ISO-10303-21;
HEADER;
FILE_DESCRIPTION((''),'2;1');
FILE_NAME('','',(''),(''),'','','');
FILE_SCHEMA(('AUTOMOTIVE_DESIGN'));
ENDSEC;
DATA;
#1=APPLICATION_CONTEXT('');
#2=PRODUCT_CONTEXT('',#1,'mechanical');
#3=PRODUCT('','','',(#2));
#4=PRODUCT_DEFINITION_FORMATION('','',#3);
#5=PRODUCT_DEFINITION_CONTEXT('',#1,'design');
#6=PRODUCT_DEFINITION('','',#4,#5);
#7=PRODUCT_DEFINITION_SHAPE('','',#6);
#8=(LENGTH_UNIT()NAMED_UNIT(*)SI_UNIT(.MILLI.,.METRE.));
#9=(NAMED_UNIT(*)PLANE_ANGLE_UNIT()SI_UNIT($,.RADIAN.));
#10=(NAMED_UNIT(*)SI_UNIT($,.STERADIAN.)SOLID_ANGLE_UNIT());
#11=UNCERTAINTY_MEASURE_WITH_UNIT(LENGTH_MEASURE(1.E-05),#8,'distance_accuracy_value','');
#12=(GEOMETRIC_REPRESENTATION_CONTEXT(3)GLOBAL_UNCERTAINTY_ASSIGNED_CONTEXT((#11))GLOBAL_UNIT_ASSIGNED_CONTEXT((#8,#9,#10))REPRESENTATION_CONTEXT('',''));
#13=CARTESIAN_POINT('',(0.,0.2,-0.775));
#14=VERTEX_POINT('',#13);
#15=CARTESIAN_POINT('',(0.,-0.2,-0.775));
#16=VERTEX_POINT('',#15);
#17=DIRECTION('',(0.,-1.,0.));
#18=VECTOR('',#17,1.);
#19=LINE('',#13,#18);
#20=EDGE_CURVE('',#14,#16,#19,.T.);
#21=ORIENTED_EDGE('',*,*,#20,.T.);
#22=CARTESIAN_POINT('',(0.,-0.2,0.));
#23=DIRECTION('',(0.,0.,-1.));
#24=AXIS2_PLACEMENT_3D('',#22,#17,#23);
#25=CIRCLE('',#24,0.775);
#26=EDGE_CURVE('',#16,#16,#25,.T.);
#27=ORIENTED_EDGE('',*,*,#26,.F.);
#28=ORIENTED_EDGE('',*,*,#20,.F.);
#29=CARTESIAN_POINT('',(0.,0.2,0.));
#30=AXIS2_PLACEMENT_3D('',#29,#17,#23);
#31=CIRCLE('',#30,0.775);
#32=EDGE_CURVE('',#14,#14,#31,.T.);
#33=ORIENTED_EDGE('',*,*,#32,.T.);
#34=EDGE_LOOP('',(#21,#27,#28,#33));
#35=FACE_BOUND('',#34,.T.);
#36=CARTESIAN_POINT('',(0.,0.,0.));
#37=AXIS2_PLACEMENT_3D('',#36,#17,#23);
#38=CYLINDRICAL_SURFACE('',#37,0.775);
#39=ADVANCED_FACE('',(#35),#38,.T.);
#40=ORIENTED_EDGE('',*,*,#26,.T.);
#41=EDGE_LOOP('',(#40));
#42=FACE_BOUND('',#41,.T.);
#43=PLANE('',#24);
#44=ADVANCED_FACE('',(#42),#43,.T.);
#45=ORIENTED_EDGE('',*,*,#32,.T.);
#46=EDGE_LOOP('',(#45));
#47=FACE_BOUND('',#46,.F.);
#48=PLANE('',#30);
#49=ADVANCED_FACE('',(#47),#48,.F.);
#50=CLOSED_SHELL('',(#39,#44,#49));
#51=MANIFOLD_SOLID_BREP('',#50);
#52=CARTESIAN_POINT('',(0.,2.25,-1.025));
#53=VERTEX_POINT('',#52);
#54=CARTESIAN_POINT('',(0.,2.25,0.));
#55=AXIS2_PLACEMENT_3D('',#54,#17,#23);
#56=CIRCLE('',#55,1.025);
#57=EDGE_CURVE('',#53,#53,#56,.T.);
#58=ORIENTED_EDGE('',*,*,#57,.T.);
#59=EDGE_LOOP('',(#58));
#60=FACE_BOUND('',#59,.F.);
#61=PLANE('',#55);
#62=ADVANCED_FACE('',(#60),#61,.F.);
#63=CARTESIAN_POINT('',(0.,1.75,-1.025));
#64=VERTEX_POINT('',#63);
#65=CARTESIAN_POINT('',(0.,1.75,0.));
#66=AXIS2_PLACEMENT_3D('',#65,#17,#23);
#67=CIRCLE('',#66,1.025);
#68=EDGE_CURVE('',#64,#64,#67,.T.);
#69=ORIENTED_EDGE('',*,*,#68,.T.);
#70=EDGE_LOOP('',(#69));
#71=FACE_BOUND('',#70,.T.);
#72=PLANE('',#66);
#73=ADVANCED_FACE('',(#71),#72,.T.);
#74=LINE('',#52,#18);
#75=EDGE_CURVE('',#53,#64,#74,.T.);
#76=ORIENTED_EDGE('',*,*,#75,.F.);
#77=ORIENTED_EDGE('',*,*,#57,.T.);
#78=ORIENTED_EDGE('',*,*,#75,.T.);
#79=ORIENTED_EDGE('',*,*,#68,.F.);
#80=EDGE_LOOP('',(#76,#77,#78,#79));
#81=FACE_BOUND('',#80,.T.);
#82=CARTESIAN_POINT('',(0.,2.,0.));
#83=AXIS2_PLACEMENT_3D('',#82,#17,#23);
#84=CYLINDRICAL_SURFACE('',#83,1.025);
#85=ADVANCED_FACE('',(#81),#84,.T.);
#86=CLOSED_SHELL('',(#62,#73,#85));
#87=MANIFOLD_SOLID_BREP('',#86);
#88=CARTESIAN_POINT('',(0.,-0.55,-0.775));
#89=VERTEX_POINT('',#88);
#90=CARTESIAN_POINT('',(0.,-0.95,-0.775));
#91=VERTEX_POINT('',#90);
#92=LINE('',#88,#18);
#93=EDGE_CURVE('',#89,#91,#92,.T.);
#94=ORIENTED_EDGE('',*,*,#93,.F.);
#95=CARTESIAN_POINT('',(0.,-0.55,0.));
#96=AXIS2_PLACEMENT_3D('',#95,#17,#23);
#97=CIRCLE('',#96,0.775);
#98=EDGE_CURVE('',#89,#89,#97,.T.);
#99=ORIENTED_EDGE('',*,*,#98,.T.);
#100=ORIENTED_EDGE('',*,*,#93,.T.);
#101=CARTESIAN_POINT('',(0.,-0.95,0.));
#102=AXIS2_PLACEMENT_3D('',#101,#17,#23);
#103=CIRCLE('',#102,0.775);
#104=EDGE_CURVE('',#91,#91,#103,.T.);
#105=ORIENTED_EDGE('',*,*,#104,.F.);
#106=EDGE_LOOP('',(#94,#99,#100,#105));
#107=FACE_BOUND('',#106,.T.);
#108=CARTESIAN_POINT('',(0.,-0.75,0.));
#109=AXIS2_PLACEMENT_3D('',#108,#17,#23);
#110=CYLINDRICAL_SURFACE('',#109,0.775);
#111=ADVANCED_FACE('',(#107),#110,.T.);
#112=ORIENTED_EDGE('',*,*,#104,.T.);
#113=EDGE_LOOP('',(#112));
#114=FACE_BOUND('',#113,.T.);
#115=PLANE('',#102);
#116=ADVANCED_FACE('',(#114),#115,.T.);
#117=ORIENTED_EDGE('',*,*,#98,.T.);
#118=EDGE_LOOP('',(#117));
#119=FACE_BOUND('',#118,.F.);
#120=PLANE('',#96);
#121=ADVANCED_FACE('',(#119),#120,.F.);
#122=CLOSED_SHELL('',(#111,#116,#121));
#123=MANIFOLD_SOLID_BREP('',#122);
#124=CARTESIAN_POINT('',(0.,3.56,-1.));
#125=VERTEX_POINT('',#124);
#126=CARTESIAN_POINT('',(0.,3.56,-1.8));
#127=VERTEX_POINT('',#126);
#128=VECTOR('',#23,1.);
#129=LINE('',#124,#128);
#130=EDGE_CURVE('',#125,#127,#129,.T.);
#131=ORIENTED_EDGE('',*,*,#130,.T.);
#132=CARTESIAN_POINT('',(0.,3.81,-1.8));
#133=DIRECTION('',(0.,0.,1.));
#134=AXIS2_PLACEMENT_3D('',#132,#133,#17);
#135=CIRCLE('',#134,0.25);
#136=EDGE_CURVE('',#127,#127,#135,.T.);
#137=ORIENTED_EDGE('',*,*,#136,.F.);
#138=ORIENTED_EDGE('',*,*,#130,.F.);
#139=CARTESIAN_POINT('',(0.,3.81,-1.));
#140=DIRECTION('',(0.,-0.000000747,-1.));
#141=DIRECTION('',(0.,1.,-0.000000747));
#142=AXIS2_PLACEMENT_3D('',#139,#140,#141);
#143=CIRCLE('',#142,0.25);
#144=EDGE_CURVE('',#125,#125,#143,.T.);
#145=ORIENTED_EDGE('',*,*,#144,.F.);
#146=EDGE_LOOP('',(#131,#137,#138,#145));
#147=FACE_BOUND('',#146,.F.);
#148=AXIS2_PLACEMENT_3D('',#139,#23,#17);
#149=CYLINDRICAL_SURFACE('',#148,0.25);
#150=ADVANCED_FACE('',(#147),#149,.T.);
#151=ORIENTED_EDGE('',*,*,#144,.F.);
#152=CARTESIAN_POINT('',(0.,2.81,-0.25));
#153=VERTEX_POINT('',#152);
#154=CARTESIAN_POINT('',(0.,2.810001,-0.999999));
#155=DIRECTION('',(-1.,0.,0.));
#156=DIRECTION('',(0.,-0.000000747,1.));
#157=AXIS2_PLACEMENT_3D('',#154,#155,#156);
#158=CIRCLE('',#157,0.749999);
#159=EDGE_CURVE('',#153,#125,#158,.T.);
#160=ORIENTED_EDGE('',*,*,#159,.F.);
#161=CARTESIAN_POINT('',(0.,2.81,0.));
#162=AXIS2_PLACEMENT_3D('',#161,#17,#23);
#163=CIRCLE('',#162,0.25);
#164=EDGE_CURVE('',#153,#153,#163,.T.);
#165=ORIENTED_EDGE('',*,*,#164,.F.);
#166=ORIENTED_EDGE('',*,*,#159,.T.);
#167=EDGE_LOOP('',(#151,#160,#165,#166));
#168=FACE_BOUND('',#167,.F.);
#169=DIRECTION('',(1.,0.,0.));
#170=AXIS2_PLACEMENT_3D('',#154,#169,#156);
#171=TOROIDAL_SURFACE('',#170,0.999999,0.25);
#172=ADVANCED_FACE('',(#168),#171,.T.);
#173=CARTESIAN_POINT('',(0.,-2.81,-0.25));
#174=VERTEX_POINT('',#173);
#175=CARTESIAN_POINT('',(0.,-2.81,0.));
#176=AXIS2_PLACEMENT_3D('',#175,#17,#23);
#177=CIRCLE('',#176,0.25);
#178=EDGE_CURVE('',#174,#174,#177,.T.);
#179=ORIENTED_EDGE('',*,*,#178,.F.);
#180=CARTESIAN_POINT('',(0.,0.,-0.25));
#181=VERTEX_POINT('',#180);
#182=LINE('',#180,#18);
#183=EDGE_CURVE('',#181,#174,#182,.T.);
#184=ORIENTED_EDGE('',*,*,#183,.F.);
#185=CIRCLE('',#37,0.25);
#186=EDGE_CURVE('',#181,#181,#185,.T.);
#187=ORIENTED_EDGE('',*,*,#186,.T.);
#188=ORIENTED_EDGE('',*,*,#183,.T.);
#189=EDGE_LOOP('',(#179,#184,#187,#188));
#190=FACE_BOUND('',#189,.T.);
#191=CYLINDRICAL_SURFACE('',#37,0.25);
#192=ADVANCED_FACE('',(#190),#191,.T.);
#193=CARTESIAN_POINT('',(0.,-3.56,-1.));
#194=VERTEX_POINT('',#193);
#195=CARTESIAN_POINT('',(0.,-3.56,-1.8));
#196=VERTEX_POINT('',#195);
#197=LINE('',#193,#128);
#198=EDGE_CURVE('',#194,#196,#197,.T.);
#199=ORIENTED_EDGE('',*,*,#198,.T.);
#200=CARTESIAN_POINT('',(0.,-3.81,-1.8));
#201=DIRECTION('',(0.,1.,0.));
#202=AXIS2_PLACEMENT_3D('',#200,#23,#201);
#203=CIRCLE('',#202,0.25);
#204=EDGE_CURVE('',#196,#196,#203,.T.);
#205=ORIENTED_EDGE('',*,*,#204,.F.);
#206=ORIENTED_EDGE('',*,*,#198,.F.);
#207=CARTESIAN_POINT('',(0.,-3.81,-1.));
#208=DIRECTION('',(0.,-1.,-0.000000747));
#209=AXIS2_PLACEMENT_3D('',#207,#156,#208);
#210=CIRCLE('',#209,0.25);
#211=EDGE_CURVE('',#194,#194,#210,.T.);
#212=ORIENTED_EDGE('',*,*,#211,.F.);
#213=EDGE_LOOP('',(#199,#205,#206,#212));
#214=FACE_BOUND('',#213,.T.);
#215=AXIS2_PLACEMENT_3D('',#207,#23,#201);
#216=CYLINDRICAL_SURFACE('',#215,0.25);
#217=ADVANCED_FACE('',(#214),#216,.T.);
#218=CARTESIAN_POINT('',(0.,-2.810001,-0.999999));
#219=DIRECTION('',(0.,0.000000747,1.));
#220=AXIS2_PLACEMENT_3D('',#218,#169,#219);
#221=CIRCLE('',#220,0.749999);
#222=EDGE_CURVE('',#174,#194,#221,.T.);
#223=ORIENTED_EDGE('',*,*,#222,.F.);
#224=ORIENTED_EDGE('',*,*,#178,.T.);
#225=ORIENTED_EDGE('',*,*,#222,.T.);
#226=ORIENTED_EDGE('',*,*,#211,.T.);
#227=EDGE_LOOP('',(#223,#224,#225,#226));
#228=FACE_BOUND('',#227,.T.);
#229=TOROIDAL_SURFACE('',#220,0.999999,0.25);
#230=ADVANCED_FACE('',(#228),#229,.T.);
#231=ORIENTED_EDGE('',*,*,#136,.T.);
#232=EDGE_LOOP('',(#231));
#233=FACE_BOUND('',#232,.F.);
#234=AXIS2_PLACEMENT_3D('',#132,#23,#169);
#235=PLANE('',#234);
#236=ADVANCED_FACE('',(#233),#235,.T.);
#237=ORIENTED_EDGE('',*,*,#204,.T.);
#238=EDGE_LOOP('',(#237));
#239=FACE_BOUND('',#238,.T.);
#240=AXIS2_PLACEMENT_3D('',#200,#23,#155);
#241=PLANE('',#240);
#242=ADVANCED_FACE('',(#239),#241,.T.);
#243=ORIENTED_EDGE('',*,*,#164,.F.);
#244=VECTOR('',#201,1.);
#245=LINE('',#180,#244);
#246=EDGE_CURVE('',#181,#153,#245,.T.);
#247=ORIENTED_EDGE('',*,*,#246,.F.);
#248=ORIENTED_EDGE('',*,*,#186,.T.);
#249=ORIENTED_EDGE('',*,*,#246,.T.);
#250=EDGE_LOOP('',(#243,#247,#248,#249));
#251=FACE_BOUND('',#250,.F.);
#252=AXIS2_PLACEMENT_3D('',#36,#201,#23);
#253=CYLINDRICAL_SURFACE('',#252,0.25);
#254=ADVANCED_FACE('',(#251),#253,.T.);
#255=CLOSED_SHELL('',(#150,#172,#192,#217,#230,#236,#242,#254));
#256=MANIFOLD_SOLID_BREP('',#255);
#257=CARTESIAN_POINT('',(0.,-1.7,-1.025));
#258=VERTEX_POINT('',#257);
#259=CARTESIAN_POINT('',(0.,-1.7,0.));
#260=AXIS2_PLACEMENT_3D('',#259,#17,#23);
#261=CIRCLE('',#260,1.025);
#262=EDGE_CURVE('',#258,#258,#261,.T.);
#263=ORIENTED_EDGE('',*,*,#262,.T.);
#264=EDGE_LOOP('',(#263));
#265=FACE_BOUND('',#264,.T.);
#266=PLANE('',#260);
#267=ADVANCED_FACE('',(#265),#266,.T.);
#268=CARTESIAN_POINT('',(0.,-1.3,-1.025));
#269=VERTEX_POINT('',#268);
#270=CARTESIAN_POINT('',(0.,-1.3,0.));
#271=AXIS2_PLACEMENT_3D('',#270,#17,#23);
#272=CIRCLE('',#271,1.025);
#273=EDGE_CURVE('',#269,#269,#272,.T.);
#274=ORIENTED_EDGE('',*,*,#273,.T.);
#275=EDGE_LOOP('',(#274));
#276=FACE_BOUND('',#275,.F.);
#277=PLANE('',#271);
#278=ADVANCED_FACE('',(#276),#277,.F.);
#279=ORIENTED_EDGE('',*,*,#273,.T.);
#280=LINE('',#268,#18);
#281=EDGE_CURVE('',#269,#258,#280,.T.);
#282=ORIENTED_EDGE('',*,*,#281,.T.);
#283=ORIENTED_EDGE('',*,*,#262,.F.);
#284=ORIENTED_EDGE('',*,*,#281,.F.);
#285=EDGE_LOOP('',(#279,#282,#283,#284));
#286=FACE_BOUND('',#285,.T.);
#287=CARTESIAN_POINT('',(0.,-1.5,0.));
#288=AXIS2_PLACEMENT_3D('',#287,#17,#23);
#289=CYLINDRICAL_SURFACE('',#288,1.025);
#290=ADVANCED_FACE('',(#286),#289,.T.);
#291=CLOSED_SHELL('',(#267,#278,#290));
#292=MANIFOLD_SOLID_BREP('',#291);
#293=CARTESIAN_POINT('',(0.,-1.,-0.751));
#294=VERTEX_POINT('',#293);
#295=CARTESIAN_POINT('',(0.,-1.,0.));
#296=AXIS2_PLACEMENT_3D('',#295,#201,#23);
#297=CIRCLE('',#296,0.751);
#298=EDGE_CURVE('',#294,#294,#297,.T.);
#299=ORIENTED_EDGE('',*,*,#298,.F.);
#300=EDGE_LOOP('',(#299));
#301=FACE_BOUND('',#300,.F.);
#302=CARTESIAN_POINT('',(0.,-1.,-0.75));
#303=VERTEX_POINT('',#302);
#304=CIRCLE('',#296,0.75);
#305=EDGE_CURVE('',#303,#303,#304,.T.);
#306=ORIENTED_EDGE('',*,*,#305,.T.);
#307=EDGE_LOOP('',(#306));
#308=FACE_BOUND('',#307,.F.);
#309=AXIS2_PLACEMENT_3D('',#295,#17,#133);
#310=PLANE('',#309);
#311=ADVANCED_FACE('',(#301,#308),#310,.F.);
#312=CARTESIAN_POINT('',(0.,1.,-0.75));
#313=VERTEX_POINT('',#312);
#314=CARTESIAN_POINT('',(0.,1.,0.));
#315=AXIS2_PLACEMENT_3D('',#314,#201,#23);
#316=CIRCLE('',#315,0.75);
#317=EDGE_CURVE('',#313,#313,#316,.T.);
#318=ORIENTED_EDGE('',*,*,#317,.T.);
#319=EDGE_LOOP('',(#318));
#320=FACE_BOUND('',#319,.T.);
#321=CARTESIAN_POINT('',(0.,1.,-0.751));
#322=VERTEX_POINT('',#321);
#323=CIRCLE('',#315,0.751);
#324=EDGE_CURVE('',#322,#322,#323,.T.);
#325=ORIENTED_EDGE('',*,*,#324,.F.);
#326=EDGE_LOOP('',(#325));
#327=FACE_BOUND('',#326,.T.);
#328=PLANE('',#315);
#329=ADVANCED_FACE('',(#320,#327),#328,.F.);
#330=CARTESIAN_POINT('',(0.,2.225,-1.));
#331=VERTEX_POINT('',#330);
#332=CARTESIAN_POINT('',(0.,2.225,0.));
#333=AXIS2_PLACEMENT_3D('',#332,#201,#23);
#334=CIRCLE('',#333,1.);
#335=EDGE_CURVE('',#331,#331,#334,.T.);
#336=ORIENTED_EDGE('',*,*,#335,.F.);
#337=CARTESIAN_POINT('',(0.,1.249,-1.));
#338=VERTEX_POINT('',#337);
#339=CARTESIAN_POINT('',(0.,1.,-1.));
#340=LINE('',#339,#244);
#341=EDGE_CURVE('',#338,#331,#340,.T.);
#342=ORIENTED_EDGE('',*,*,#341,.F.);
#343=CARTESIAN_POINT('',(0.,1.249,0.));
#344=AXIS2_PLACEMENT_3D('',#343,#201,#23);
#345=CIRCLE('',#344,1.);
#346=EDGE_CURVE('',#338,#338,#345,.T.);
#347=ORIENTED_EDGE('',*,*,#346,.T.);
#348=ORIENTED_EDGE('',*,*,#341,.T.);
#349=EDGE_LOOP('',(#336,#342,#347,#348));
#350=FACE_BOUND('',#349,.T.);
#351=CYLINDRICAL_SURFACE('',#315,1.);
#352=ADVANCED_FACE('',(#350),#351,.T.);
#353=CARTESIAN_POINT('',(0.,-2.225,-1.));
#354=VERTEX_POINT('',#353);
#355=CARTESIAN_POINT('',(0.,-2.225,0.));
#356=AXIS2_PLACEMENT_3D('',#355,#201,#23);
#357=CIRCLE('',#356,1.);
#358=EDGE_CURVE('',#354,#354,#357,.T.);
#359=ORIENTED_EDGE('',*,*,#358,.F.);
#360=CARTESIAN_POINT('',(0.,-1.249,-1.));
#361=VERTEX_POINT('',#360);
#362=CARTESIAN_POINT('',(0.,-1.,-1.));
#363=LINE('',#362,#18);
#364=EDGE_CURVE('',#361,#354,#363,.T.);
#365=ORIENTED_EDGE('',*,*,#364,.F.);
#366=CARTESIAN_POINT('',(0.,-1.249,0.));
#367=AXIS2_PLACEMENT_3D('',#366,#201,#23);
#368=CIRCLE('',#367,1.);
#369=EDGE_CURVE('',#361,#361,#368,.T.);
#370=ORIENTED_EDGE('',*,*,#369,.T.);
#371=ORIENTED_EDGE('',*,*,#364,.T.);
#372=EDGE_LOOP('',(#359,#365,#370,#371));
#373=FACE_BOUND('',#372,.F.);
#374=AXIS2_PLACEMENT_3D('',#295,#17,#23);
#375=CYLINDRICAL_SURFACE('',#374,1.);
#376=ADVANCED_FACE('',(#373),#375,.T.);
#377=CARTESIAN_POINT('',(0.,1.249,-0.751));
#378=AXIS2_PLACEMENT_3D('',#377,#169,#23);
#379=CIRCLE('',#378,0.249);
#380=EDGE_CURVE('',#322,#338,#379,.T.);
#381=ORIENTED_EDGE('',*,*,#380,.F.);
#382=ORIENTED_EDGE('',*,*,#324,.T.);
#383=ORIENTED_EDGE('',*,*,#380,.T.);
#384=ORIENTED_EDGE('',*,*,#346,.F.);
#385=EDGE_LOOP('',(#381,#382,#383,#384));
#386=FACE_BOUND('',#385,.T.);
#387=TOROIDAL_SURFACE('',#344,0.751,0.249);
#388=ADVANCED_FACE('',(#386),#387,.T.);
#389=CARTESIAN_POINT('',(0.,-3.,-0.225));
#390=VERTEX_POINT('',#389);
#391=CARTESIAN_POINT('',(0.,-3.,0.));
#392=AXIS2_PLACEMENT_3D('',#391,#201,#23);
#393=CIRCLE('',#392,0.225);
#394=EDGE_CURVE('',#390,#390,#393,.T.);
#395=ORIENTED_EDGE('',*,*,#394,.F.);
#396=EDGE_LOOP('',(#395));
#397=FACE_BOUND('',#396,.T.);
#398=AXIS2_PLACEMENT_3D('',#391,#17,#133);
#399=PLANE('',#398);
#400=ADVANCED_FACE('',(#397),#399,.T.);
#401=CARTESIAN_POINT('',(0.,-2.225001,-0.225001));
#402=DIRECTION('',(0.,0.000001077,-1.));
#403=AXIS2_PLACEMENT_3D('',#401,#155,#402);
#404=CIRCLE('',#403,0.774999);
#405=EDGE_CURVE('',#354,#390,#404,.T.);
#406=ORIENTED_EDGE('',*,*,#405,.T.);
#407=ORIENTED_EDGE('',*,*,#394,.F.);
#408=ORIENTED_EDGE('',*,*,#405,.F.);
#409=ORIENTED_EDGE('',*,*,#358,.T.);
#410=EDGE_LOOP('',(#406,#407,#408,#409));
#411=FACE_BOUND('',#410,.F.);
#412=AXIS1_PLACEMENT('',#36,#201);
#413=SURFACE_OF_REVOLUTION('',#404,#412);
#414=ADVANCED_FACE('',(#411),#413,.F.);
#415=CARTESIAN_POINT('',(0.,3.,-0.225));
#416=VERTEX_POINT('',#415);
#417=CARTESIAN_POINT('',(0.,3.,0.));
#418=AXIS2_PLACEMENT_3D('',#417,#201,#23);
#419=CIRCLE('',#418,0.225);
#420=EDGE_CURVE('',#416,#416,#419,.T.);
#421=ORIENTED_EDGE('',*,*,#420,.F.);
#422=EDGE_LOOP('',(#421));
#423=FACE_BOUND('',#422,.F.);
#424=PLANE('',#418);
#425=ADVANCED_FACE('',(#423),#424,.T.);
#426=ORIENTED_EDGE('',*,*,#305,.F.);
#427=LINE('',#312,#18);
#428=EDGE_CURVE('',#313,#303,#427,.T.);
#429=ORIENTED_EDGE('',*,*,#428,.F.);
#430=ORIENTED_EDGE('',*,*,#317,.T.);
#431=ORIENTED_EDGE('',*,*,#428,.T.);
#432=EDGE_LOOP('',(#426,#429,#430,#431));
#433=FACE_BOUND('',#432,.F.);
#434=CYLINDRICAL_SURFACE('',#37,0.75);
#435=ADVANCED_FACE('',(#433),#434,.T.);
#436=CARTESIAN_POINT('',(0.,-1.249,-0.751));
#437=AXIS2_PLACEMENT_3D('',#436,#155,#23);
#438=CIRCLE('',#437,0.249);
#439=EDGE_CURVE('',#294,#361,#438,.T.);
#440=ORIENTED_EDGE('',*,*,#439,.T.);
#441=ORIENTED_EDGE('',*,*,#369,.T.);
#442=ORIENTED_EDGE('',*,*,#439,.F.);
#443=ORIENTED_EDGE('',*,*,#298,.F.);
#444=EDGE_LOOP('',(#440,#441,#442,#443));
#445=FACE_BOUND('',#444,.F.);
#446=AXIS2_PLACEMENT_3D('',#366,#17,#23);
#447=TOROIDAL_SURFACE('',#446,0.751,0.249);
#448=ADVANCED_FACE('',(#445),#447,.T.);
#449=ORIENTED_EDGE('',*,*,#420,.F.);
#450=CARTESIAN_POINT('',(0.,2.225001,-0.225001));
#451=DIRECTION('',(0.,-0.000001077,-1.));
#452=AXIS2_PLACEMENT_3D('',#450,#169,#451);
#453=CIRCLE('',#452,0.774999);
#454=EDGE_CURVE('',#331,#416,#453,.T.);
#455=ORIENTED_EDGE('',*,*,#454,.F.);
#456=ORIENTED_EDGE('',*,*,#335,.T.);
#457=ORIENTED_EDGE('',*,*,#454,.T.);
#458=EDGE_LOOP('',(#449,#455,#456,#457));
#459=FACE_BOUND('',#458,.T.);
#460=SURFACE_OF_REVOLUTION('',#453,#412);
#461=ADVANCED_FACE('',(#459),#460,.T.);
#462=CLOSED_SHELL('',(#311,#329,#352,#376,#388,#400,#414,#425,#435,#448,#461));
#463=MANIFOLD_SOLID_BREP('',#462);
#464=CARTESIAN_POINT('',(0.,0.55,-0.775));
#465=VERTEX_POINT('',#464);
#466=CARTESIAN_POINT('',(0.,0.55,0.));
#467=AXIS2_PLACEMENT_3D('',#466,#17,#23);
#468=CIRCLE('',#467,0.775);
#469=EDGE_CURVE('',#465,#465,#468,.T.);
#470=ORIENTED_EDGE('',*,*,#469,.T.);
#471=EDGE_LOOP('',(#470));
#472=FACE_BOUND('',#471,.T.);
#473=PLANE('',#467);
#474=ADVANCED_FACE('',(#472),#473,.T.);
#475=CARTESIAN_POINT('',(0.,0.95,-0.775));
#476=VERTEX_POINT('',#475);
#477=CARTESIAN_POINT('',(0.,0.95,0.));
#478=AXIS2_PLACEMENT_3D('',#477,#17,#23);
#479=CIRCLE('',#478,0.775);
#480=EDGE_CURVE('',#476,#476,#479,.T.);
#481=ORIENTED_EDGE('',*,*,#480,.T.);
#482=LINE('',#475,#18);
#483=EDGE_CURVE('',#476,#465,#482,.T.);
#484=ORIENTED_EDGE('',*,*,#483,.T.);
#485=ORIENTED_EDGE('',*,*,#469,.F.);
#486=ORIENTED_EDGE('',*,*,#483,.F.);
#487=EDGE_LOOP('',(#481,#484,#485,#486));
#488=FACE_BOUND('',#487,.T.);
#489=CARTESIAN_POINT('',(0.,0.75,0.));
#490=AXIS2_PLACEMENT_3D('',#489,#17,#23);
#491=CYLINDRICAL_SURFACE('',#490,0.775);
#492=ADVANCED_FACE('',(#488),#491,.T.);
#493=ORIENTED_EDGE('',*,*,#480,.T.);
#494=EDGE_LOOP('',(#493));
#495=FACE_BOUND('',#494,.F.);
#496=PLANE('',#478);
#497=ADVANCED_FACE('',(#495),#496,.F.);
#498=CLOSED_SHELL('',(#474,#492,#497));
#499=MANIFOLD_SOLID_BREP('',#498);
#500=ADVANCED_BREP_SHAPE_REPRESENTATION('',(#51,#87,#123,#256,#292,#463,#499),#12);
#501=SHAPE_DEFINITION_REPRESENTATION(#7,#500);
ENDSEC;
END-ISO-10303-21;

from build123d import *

# Parameters (mm, degrees)
SKETCH003_R  = 1.025
PAD_DEPTH    = 0.2
SKETCH004_R  = 0.775
PAD001_DEPTH = 0.2
SKETCH005_R  = 0.775
PAD002_DEPTH = 0.2
SKETCH006_R  = 0.775
PAD003_DEPTH = 0.2
SKETCH007_R  = 1.025
PAD004_DEPTH = 0.25
FILLET_R     = 0.249
SKETCH046_R  = 0.25


with BuildPart() as body002:
    # Sketch003 → Pad (new body, symmetric)
    with BuildSketch(Plane(origin=(0, -1.5, 0), x_dir=(0, 0, -1), z_dir=(0, -1, 0))):
        Circle(SKETCH003_R)
    extrude(amount=PAD_DEPTH, both=True)


with BuildPart() as body003:
    # Sketch004 → Pad001 (new body, symmetric)
    with BuildSketch(Plane(origin=(0, -0.75, 0), x_dir=(0, 0, -1), z_dir=(0, -1, 0))):
        Circle(SKETCH004_R)
    extrude(amount=PAD001_DEPTH, both=True)


with BuildPart() as body004:
    # Sketch005 → Pad002 (new body, symmetric)
    with BuildSketch(Plane(origin=(0, 0, 0), x_dir=(0, 0, -1), z_dir=(0, -1, 0))):
        Circle(SKETCH005_R)
    extrude(amount=PAD002_DEPTH, both=True)


with BuildPart() as body005:
    # Sketch006 → Pad003 (new body, symmetric)
    with BuildSketch(Plane(origin=(0, 0.75, 0), x_dir=(0, 0, -1), z_dir=(0, -1, 0))):
        Circle(SKETCH006_R)
    extrude(amount=PAD003_DEPTH, both=True)


with BuildPart() as body006:
    # Sketch007 → Pad004 (new body, symmetric)
    with BuildSketch(Plane(origin=(0, 2, 0), x_dir=(0, 0, -1), z_dir=(0, -1, 0))):
        Circle(SKETCH007_R)
    extrude(amount=PAD004_DEPTH, both=True)


with BuildPart() as bodysimple:
    # Sketch044 → Revolution009 (revolve)
    with BuildSketch(Plane(origin=(0, 0, 0), x_dir=(0, -1, 0), z_dir=(1, 0, 0))):
        with BuildLine():
            Line((0, 0), (0, 0.75))
            Line((0, 0.75), (-1, 0.75))
            Line((-1, 0.75), (-1, 1))
            Line((-1, 1), (-2.225, 1))
            ThreePointArc((-2.225, 1), (-2.773008, 0.773008), (-3, 0.225))
            Line((-3, 0), (-3, 0.225))
            Line((-3, 0), (0, 0))
        make_face()
    revolution009 = revolve(axis=Axis((0, 0, 0), (0, 1, 0)))

    # Mirrored013: Revolution009 across XZ
    add(revolution009.mirror(Plane.XZ))

    # Fillet
    fillet_edges = [bodysimple.edges().sort_by_distance(p)[0] for p in [
        (0, -1, 1),
        (0, 1, 1),
    ]]
    fillet(fillet_edges, radius=FILLET_R)


with BuildPart() as leadssimple:
    # AdditivePipe001: sweep along a path in Sketch045
    with BuildLine(Plane.YZ) as additivepipe001_path:
        Line((0, 0), (-2.81, 0))
        ThreePointArc((-2.81, 0), (-3.517107, -0.292893), (-3.81, -1))
        Line((-3.81, -1), (-3.81, -1.8))
    # Sketch046 → AdditivePipe001 (sweep)
    with BuildSketch(Plane(origin=(0, 0, 0), x_dir=(0, 0, -1), z_dir=(0, -1, 0))):
        Circle(SKETCH046_R)
    additivepipe001 = sweep(path=additivepipe001_path.line)

    # Mirrored014: AdditivePipe001 across XZ
    add(additivepipe001.mirror(Plane.XZ))


solid = Compound([body002.part, body003.part, body004.part, body005.part, body006.part, bodysimple.part, leadssimple.part])
